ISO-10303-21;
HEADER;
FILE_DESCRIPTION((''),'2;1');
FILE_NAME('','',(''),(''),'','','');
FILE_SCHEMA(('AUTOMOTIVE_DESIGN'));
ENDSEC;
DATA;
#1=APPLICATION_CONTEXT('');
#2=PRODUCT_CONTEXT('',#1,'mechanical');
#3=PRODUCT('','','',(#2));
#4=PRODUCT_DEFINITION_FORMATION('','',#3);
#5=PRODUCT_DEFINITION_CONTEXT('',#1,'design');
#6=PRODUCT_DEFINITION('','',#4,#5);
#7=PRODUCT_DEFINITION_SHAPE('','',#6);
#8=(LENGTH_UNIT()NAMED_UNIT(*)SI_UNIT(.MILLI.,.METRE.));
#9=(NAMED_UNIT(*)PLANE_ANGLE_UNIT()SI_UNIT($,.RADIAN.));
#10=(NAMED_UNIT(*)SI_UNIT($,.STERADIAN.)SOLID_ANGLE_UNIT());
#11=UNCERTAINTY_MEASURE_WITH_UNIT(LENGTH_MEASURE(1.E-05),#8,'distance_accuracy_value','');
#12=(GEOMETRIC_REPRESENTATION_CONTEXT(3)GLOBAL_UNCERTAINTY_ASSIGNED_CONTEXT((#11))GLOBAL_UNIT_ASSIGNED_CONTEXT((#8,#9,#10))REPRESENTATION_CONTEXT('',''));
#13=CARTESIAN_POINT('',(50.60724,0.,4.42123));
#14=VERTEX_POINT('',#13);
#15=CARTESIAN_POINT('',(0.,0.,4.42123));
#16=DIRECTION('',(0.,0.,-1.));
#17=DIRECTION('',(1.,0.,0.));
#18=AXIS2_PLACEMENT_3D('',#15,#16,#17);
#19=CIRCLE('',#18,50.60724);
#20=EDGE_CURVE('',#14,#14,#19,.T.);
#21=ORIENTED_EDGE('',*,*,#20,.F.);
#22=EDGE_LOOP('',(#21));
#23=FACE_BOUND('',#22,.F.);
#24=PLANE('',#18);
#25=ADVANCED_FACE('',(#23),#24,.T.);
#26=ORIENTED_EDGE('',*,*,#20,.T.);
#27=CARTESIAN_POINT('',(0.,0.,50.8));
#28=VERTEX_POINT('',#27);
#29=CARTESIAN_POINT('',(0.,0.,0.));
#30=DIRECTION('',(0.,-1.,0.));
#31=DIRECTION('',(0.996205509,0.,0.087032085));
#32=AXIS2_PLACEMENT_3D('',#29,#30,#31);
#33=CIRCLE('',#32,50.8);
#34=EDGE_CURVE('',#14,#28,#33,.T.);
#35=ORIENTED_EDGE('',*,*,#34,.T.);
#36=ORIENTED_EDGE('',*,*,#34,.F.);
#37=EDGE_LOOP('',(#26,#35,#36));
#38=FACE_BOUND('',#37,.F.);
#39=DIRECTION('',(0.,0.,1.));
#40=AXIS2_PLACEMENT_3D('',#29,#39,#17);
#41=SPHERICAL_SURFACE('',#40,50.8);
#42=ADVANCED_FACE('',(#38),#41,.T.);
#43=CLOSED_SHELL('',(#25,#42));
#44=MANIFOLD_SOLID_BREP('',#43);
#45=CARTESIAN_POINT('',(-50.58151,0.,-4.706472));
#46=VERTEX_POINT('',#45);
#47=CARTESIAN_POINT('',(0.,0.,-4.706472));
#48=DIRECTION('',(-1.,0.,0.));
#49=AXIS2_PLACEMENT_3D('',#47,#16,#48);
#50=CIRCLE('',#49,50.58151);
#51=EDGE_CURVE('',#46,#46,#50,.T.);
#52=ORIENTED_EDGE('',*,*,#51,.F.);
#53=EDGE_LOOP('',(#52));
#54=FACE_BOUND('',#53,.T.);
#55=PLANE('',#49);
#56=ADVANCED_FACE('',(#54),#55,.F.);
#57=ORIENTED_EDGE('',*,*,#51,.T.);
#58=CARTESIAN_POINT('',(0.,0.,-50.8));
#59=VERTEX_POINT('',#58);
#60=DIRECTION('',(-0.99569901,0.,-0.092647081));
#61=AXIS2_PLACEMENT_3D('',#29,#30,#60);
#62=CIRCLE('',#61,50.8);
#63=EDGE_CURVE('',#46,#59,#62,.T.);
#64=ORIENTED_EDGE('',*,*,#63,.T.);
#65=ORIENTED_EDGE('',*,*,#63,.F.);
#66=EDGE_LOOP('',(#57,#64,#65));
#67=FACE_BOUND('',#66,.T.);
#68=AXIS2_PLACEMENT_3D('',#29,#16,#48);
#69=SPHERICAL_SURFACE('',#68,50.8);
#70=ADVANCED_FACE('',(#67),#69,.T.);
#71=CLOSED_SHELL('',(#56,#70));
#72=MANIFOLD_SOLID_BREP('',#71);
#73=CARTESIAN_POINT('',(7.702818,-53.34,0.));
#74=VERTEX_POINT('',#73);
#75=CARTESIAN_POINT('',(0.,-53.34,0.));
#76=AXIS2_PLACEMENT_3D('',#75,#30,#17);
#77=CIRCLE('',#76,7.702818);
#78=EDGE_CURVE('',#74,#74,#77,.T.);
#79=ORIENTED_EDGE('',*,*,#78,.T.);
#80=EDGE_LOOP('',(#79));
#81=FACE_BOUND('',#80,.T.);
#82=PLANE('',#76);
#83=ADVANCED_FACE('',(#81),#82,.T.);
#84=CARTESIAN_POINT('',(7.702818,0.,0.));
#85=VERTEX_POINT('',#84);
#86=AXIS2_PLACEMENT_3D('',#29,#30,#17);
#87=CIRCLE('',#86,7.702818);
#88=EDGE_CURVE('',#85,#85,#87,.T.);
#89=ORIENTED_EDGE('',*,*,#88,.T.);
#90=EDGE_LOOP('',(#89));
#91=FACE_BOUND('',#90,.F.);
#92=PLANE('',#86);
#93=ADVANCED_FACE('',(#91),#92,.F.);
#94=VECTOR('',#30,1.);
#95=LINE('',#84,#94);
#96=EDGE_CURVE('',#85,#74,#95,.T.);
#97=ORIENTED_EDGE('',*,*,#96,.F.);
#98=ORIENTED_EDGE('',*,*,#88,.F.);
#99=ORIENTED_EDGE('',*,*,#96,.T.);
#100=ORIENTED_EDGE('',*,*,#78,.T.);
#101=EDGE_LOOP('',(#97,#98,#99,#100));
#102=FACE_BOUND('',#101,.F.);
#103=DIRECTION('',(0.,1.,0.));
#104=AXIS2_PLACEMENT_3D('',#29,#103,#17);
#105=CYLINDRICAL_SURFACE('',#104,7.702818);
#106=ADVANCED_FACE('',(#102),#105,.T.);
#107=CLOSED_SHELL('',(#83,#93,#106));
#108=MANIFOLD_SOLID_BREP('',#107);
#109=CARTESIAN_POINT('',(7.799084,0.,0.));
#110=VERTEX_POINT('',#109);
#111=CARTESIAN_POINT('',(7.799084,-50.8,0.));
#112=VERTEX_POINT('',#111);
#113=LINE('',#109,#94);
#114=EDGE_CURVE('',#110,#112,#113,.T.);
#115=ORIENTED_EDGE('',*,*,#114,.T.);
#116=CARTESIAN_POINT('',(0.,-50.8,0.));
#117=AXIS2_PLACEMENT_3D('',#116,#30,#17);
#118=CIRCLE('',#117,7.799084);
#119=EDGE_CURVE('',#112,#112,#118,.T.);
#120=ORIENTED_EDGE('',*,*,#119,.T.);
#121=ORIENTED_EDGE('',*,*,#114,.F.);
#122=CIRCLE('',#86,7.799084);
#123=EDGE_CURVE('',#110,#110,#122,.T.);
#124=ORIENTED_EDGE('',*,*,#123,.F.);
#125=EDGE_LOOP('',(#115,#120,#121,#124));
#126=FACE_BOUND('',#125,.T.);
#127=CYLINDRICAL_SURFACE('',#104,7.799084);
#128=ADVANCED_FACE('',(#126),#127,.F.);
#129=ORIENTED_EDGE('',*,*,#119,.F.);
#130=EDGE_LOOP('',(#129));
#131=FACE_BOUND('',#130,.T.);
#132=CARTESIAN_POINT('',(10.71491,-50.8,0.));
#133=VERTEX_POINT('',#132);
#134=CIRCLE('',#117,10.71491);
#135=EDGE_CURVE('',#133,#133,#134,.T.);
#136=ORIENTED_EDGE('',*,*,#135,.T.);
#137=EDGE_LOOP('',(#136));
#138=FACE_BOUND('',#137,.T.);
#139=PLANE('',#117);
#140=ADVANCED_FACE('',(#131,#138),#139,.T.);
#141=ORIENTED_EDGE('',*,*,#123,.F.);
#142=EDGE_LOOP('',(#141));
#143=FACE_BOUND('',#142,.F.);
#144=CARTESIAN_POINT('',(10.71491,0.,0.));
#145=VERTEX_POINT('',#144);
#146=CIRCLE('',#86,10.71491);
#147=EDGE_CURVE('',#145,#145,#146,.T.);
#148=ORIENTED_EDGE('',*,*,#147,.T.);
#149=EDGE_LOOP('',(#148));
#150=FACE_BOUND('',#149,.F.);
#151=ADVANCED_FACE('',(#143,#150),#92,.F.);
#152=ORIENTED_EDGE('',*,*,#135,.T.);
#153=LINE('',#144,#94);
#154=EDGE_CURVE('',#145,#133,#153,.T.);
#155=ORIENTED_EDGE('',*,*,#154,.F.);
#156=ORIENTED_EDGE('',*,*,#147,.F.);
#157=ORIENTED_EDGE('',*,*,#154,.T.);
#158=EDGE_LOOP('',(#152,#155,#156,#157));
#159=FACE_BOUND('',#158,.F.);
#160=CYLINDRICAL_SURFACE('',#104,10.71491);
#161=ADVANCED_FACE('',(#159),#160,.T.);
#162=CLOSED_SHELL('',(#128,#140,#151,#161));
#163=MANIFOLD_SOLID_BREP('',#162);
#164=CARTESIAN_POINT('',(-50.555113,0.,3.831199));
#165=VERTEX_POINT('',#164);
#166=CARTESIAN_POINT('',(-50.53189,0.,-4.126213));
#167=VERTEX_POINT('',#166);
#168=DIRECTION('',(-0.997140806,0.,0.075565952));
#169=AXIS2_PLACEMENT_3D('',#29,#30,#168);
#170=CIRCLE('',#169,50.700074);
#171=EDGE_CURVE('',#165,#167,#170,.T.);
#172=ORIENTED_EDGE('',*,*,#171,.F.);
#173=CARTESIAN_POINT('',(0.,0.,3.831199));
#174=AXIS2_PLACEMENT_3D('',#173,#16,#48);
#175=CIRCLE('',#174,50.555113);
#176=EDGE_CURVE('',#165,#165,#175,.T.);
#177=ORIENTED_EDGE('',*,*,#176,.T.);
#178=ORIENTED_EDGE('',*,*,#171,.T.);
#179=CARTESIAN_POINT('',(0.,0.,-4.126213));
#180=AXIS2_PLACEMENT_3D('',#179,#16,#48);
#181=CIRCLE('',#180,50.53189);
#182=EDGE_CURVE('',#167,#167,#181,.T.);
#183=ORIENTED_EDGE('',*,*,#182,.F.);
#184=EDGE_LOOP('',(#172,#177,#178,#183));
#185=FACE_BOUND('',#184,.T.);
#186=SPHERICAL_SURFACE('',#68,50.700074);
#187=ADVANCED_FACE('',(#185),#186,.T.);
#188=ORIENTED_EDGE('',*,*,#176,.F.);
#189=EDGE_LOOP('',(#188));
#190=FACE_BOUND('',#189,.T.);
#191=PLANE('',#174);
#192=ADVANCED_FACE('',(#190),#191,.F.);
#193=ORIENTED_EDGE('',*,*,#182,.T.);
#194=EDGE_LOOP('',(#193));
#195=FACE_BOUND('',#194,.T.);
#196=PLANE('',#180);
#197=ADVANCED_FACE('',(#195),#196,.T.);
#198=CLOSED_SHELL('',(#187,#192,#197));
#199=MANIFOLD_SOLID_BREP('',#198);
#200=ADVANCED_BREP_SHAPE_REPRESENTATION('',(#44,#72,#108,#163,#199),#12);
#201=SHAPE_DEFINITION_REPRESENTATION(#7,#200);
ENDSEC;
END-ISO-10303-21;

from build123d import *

# Parameters (mm, degrees)
F4_R     = 10.7149100796
F4_R_2   = 7.7990836669
F5_DEPTH = 50.8
F6_R     = 7.7028179703
F7_DEPTH = 53.34


with BuildPart() as f1:
    # F0 (on Front) → F1 (revolve)
    with BuildSketch(Plane.XZ):
        with BuildLine():
            Line((0, 4.4212299399), (50.6072398558, 4.4212299399))
            ThreePointArc((50.6072398558, 4.4212299399), (34.3223070251, 37.4515585854), (0, 50.8))
            Line((0, 50.8), (0, 4.4212299399))
        make_face()
    revolve(axis=Axis((0, 0, -3.1376481056), (0, 0, -1)))


with BuildPart() as f1b:
    # F0 (on Front) → F1, piece 2 (revolve)
    with BuildSketch(Plane.XZ):
        with BuildLine():
            ThreePointArc((-50.5815097067, -4.7064716928), (-34.216598589, -37.5481608204), (0, -50.8))
            Line((0, -50.8), (0, -4.7064716928))
            Line((0, -4.7064716928), (-50.5815097067, -4.7064716928))
        make_face()
    revolve(axis=Axis((0, 0, -3.1376481056), (0, 0, -1)))


with BuildPart() as f3:
    # F2 (on Front) → F3 (revolve)
    with BuildSketch(Plane.XZ):
        with BuildLine():
            Line((0, 3.8311993703), (-50.5551127039, 3.8311993703))
            ThreePointArc((-50.5551127039, 3.8311993703), (-50.6998581453, -0.1479633753), (-50.5318896475, -4.126213491))
            Line((-50.5318896475, -4.126213491), (0, -4.126213491))
            Line((0, -4.126213491), (0, 3.8311993703))
        make_face()
    revolve(axis=Axis((0, 0, -3.137646243), (0, 0, -1)))


with BuildPart() as f5:
    # F4 (on Front) → F5 (new body)
    with BuildSketch(Plane.XZ):
        Circle(F4_R)
        Circle(F4_R_2, mode=Mode.SUBTRACT)
    extrude(amount=F5_DEPTH)


with BuildPart() as f7:
    # F6 (on Front) → F7 (new body)
    with BuildSketch(Plane.XZ):
        Circle(F6_R)
    extrude(amount=F7_DEPTH)


solid = Compound([f1.part, f1b.part, f3.part, f5.part, f7.part])
